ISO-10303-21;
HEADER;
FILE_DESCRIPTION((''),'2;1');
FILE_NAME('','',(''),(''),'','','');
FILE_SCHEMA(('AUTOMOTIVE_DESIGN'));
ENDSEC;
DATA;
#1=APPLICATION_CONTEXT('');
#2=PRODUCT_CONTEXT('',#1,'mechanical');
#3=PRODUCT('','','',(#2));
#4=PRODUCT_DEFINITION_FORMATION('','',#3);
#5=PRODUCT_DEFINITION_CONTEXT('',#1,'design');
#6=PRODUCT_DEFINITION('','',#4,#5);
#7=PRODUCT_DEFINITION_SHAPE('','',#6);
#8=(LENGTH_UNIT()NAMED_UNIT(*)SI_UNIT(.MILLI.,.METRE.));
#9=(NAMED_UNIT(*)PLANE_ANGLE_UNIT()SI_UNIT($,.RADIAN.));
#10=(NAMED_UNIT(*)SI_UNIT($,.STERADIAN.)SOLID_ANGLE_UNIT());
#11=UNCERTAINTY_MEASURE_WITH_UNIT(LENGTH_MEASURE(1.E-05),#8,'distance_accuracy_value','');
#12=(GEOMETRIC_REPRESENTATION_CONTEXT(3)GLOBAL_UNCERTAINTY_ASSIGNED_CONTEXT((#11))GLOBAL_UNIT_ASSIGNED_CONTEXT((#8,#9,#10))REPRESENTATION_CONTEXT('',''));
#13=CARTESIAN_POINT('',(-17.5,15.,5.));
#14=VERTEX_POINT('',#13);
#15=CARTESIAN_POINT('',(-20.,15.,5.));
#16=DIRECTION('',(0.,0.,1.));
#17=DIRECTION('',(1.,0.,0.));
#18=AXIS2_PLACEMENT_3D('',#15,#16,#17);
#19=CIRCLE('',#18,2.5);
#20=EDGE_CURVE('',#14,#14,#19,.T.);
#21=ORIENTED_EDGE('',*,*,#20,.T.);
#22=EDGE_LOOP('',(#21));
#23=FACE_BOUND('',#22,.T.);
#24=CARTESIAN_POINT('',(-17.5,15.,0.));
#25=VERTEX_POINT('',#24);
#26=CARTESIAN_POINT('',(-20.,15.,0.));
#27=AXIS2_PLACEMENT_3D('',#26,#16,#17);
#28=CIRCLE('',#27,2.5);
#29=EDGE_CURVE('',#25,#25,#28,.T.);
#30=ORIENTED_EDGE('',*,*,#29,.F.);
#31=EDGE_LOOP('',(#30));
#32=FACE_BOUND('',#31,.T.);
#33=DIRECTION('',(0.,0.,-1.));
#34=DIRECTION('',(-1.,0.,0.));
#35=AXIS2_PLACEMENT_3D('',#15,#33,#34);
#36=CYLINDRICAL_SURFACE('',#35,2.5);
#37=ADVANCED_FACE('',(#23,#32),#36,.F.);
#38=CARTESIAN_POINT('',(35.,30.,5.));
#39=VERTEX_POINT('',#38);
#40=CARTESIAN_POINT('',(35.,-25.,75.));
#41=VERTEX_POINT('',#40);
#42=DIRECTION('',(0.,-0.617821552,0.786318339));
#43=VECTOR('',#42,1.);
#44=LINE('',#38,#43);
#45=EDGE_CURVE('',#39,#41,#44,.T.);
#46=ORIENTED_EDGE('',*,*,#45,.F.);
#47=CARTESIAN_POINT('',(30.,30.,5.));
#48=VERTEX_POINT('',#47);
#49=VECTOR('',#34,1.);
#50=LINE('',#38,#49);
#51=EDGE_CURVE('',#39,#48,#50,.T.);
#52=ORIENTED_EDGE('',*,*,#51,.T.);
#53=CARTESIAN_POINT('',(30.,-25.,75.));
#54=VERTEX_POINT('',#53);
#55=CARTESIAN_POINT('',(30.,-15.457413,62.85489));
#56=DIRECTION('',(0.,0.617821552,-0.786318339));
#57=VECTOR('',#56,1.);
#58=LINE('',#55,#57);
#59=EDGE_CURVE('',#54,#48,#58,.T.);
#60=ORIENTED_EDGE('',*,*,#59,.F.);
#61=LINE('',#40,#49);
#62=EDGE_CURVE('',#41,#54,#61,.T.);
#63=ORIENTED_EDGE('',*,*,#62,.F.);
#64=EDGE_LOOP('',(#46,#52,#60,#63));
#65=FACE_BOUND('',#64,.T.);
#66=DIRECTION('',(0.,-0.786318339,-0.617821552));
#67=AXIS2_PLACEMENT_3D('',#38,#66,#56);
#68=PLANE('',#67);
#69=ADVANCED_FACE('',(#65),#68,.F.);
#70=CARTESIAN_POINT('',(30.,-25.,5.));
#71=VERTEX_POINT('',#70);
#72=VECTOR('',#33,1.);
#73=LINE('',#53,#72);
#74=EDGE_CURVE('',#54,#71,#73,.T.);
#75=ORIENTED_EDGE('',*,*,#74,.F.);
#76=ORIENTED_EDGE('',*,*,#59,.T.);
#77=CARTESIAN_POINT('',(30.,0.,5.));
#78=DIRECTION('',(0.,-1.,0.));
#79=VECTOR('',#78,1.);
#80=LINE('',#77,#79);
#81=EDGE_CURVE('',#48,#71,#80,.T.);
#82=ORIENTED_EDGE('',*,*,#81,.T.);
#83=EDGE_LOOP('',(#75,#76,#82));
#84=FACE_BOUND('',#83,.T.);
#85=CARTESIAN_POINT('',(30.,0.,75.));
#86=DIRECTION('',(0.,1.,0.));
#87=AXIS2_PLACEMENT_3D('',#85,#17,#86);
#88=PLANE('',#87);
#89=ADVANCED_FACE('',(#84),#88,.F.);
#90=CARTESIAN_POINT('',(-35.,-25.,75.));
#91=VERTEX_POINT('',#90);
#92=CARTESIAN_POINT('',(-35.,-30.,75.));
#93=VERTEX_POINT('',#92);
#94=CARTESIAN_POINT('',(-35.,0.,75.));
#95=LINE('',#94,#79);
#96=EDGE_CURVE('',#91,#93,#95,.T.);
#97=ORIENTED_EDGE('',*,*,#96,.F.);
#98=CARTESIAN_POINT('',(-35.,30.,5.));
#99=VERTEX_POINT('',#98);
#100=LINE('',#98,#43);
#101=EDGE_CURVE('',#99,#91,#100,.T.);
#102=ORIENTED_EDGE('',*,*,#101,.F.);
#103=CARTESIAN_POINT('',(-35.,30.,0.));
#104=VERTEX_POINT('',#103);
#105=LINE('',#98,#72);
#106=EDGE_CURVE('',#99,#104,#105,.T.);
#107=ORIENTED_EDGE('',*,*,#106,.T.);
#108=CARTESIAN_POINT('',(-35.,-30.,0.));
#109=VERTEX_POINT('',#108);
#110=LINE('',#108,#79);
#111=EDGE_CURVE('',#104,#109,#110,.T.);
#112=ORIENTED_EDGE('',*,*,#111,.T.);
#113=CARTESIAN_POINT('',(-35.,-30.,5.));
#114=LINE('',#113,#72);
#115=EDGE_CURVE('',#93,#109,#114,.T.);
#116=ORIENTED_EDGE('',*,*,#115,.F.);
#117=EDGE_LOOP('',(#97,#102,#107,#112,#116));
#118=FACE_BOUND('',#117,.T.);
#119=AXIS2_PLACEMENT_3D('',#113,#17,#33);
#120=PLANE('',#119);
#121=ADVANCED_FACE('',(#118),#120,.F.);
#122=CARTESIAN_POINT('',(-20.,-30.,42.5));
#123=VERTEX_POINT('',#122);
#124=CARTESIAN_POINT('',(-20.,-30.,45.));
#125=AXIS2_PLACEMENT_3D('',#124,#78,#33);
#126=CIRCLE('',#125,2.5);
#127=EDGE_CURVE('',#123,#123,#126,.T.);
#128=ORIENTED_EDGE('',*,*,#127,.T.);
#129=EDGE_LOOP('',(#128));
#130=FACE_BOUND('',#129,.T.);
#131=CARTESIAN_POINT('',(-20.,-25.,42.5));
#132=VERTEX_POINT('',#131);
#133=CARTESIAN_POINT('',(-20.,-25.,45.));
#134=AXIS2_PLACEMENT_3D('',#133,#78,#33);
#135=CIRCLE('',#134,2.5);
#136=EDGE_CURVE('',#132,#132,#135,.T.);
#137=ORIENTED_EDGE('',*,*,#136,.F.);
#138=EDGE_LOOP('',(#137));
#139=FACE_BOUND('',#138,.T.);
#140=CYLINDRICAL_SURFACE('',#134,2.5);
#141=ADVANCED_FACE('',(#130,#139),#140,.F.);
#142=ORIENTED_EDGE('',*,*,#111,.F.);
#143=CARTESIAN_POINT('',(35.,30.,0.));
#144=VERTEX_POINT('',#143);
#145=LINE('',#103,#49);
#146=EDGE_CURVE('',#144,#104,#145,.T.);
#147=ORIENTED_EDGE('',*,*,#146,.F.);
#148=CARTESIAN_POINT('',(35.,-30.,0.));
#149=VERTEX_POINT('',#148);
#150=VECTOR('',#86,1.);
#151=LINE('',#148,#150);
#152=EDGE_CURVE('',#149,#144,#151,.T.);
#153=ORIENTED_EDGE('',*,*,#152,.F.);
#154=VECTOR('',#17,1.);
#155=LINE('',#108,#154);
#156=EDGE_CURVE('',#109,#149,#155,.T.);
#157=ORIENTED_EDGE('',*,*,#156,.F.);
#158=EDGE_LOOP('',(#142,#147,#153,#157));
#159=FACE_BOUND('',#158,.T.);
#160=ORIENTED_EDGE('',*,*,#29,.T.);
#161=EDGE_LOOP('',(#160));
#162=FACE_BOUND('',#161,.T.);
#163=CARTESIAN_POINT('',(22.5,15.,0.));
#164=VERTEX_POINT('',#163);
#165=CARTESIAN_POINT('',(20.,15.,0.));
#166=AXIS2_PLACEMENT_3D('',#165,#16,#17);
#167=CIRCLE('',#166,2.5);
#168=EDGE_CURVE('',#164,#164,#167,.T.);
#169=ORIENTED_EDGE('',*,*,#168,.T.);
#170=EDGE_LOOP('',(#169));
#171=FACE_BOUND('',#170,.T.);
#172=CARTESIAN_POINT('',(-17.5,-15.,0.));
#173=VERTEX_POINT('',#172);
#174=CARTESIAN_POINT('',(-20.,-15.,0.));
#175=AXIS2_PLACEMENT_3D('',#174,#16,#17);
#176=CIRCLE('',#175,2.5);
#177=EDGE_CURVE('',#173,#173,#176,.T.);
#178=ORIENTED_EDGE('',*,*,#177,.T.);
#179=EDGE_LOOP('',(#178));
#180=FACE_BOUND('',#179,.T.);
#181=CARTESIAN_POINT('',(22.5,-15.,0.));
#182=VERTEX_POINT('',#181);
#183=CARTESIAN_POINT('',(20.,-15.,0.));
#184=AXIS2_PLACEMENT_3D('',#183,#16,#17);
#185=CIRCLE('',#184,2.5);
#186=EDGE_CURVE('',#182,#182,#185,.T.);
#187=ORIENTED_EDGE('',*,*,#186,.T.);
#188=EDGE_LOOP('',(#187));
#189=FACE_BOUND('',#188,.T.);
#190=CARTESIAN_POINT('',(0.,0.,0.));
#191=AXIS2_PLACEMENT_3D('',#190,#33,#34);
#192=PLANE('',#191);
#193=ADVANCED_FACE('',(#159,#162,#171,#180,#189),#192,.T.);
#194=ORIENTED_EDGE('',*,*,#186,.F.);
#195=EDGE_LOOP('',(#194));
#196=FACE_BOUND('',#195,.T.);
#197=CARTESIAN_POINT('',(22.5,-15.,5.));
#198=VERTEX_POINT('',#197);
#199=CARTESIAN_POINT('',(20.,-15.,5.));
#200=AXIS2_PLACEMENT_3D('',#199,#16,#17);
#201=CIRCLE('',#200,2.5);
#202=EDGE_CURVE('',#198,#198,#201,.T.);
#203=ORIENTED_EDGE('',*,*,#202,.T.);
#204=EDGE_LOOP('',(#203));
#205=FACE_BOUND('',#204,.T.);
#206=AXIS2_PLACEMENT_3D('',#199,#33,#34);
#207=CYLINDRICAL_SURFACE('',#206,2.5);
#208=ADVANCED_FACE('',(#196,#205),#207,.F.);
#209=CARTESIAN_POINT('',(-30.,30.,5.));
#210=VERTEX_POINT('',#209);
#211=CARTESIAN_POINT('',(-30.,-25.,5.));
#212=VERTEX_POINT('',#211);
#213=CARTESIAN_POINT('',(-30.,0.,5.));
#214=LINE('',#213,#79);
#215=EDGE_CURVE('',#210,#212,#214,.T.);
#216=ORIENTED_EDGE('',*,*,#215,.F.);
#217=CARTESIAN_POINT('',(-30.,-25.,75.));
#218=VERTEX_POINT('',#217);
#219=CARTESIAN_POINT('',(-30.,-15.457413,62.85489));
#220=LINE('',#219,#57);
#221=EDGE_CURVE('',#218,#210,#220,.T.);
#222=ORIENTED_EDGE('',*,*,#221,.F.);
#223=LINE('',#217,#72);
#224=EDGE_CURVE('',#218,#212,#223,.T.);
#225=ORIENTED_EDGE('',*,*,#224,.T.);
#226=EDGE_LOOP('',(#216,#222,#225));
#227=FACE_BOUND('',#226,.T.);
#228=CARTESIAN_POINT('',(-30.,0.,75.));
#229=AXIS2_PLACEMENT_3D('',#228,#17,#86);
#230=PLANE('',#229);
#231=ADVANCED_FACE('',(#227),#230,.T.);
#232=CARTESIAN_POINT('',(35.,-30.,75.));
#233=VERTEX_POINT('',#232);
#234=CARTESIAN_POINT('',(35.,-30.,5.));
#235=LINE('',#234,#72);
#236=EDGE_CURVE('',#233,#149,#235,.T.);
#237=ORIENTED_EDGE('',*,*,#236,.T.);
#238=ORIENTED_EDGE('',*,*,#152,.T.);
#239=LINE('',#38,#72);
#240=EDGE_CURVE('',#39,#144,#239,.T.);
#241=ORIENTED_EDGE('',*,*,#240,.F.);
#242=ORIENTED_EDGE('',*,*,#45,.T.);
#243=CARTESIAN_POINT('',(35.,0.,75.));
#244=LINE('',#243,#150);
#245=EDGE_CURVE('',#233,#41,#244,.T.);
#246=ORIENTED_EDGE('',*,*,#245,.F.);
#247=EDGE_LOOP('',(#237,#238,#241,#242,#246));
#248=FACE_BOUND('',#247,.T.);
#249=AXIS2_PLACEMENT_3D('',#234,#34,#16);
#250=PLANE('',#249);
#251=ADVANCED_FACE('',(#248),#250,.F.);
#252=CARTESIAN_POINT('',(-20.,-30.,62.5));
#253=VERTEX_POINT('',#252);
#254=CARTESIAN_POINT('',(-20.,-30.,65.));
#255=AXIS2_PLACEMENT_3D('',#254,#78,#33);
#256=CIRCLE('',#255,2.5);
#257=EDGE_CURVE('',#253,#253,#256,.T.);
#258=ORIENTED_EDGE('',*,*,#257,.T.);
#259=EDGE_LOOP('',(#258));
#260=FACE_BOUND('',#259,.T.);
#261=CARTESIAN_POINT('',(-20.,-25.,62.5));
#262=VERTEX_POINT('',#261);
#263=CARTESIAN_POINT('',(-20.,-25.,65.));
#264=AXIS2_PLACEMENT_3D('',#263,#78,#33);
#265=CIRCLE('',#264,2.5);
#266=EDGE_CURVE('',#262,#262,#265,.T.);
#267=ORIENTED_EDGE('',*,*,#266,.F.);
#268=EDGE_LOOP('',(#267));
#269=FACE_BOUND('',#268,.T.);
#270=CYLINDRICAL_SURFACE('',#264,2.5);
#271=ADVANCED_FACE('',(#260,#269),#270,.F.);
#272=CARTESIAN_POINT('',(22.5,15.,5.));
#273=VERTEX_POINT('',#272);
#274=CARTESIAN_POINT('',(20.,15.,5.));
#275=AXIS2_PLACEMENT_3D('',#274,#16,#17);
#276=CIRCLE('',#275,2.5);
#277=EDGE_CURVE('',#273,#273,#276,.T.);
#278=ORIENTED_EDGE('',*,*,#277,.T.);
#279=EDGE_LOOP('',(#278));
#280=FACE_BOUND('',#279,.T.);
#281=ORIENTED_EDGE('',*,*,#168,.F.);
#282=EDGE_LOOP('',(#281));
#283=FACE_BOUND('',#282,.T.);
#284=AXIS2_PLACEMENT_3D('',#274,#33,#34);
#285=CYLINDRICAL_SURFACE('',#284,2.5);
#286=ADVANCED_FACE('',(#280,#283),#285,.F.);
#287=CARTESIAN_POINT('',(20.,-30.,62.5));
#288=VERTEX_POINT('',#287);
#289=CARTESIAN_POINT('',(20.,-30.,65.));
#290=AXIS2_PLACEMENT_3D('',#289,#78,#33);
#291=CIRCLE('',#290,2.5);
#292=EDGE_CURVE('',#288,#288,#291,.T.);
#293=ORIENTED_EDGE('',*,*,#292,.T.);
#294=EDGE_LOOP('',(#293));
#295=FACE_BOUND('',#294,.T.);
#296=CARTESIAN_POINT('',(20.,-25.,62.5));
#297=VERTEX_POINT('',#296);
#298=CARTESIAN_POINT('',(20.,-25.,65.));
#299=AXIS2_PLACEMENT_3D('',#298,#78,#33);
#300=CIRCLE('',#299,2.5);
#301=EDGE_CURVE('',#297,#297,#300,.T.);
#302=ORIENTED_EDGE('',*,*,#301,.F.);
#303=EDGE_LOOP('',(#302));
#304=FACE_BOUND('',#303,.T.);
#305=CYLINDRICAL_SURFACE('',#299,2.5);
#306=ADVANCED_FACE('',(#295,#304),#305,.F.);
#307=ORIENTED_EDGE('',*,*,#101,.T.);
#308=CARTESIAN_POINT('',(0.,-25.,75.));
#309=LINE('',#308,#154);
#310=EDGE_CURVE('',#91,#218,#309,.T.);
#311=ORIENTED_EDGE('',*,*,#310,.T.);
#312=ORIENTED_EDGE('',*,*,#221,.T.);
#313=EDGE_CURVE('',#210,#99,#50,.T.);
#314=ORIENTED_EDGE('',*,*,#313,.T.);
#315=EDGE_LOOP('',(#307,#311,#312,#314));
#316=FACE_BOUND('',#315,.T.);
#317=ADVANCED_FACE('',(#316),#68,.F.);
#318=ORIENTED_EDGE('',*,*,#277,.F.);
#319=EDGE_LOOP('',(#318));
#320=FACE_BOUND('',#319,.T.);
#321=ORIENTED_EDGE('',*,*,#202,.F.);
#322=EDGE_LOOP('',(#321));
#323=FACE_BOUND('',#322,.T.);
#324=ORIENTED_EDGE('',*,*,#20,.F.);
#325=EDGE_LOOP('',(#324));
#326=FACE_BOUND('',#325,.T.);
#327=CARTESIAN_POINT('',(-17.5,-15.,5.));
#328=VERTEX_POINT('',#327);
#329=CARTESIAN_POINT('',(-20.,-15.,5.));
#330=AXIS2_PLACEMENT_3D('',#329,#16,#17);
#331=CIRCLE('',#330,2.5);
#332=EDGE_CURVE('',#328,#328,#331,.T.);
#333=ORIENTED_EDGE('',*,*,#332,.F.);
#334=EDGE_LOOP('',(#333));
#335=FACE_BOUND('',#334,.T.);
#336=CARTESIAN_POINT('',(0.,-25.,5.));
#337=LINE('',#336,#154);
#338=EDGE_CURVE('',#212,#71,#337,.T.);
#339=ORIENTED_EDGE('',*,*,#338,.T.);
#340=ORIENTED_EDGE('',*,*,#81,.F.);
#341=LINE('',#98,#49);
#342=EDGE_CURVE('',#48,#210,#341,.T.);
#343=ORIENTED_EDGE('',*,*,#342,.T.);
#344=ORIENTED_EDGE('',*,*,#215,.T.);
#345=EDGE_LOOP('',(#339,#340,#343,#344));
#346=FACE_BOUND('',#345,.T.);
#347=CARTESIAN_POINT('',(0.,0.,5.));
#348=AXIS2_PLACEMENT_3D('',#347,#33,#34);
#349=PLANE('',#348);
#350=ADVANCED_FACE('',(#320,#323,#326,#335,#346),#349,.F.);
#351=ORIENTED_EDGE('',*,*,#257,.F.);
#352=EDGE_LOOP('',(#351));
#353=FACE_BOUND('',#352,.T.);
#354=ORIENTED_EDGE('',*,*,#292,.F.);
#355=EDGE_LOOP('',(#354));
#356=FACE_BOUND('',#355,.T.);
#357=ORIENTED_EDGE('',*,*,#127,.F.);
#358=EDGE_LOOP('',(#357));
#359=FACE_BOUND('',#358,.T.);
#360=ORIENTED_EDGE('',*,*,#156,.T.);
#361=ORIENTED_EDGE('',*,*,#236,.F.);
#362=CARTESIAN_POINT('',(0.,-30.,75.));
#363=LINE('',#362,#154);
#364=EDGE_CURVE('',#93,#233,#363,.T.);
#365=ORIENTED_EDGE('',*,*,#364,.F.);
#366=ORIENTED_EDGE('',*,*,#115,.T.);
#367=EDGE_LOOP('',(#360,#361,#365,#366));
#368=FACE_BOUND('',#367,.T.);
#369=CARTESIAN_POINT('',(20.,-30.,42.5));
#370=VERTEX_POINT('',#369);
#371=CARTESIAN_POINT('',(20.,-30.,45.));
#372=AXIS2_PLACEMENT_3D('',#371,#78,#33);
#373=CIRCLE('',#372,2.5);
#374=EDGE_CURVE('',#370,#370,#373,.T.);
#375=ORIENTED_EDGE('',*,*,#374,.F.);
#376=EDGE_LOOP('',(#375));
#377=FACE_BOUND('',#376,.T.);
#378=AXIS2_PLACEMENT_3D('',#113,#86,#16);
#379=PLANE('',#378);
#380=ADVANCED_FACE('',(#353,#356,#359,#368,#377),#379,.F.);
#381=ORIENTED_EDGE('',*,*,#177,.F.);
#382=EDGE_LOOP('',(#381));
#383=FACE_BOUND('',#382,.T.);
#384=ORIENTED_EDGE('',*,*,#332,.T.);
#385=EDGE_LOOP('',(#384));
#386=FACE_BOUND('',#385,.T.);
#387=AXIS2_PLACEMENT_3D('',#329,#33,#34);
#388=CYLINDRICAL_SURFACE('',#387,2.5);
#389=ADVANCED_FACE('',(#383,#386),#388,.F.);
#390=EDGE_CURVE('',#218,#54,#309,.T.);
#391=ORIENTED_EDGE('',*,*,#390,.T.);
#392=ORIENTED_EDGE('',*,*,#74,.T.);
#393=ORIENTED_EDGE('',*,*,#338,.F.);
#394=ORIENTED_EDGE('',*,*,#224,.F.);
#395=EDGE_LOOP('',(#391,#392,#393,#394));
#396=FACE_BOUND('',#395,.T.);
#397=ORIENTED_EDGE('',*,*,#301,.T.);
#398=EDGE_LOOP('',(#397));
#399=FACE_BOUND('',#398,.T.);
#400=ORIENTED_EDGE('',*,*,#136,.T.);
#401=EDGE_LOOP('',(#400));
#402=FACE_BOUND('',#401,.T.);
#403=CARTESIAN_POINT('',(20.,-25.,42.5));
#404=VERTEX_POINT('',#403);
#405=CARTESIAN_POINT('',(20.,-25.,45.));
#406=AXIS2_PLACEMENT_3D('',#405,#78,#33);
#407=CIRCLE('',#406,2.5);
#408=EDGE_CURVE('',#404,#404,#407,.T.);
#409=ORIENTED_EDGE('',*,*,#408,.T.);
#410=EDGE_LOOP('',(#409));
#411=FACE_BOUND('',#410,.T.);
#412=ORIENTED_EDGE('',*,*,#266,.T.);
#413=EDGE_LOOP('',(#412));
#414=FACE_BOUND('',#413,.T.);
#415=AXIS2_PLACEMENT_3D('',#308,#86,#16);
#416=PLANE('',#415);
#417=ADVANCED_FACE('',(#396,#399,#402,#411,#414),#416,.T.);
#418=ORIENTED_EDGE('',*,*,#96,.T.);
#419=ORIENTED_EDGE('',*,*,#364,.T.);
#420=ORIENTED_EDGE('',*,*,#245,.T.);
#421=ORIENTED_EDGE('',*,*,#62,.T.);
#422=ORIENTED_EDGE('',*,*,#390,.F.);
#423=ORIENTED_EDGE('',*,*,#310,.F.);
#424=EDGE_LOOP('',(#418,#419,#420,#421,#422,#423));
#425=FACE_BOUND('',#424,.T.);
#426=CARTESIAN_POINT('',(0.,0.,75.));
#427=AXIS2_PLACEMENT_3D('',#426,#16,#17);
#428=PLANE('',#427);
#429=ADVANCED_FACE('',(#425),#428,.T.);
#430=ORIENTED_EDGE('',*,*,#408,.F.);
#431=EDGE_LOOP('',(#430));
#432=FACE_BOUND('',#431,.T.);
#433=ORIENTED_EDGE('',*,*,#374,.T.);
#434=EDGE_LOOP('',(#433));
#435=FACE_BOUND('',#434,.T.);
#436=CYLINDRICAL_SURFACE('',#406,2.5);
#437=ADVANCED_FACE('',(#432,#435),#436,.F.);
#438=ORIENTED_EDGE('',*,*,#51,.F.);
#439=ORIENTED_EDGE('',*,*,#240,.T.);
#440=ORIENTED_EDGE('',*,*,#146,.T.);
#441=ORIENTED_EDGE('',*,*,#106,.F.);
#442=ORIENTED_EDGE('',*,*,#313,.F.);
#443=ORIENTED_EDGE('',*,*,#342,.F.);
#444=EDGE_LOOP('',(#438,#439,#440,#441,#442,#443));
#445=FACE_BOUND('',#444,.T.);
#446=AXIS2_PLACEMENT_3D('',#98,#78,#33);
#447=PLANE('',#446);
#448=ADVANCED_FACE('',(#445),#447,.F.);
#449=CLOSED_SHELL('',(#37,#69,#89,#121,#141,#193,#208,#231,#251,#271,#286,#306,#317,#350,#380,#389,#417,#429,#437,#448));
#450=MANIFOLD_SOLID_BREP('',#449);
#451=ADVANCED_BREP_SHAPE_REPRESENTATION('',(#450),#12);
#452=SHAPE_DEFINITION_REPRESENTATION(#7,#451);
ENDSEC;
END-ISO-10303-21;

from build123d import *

# Parameters (mm, degrees)
SKETCH_1_W          = 70
SKETCH_1_H          = 60
SKETCH_1_R          = 2.5
EXTRUDE_1_DEPTH     = 5
EXTRUDE_2_DEPTH     = 70
CUT_EXTRUDE_1_DEPTH = 70
SKETCH_4_R          = 2.5
CUT_EXTRUDE_2_DEPTH = 5


with BuildPart() as part:
    # 草图1 → 凸台-拉伸1 (new body)
    with BuildSketch(Plane.XY):
        Rectangle(SKETCH_1_W, SKETCH_1_H)
        with Locations((-20, 15)):
            Circle(SKETCH_1_R, mode=Mode.SUBTRACT)
        with Locations((20, 15)):
            Circle(SKETCH_1_R, mode=Mode.SUBTRACT)
        with Locations((-20, -15)):
            Circle(SKETCH_1_R, mode=Mode.SUBTRACT)
        with Locations((20, -15)):
            Circle(SKETCH_1_R, mode=Mode.SUBTRACT)
    extrude(amount=EXTRUDE_1_DEPTH)

    # 草图2 → 凸台-拉伸2 (add)
    with BuildSketch(Plane.XY.offset(5)):
        Polygon((-30, 30), (-35, 30), (-35, -30), (35, -30), (35, 30), (30, 30), (30, -25), (-30, -25), align=None)
    extrude(amount=EXTRUDE_2_DEPTH)

    # 草图3 → 切除-拉伸1 (cut)
    with BuildSketch(Plane.ZY.offset(35)):
        Polygon((5, 30), (75, -25), (75, 30), align=None)
    extrude(amount=-CUT_EXTRUDE_1_DEPTH, mode=Mode.SUBTRACT)

    # 草图4 → 切除-拉伸2 (cut)
    with BuildSketch(Plane.XZ.offset(30)):
        with Locations(Location((-20, 65, 0), (0, 0, 270))):
            Circle(SKETCH_4_R)
        with Locations(Location((20, 65, 0), (0, 0, 270))):
            Circle(SKETCH_4_R)
        with Locations(Location((-20, 45, 0), (0, 0, 270))):
            Circle(SKETCH_4_R)
        with Locations(Location((20, 45, 0), (0, 0, 270))):
            Circle(SKETCH_4_R)
    extrude(amount=-CUT_EXTRUDE_2_DEPTH, mode=Mode.SUBTRACT)


solid = part.part
